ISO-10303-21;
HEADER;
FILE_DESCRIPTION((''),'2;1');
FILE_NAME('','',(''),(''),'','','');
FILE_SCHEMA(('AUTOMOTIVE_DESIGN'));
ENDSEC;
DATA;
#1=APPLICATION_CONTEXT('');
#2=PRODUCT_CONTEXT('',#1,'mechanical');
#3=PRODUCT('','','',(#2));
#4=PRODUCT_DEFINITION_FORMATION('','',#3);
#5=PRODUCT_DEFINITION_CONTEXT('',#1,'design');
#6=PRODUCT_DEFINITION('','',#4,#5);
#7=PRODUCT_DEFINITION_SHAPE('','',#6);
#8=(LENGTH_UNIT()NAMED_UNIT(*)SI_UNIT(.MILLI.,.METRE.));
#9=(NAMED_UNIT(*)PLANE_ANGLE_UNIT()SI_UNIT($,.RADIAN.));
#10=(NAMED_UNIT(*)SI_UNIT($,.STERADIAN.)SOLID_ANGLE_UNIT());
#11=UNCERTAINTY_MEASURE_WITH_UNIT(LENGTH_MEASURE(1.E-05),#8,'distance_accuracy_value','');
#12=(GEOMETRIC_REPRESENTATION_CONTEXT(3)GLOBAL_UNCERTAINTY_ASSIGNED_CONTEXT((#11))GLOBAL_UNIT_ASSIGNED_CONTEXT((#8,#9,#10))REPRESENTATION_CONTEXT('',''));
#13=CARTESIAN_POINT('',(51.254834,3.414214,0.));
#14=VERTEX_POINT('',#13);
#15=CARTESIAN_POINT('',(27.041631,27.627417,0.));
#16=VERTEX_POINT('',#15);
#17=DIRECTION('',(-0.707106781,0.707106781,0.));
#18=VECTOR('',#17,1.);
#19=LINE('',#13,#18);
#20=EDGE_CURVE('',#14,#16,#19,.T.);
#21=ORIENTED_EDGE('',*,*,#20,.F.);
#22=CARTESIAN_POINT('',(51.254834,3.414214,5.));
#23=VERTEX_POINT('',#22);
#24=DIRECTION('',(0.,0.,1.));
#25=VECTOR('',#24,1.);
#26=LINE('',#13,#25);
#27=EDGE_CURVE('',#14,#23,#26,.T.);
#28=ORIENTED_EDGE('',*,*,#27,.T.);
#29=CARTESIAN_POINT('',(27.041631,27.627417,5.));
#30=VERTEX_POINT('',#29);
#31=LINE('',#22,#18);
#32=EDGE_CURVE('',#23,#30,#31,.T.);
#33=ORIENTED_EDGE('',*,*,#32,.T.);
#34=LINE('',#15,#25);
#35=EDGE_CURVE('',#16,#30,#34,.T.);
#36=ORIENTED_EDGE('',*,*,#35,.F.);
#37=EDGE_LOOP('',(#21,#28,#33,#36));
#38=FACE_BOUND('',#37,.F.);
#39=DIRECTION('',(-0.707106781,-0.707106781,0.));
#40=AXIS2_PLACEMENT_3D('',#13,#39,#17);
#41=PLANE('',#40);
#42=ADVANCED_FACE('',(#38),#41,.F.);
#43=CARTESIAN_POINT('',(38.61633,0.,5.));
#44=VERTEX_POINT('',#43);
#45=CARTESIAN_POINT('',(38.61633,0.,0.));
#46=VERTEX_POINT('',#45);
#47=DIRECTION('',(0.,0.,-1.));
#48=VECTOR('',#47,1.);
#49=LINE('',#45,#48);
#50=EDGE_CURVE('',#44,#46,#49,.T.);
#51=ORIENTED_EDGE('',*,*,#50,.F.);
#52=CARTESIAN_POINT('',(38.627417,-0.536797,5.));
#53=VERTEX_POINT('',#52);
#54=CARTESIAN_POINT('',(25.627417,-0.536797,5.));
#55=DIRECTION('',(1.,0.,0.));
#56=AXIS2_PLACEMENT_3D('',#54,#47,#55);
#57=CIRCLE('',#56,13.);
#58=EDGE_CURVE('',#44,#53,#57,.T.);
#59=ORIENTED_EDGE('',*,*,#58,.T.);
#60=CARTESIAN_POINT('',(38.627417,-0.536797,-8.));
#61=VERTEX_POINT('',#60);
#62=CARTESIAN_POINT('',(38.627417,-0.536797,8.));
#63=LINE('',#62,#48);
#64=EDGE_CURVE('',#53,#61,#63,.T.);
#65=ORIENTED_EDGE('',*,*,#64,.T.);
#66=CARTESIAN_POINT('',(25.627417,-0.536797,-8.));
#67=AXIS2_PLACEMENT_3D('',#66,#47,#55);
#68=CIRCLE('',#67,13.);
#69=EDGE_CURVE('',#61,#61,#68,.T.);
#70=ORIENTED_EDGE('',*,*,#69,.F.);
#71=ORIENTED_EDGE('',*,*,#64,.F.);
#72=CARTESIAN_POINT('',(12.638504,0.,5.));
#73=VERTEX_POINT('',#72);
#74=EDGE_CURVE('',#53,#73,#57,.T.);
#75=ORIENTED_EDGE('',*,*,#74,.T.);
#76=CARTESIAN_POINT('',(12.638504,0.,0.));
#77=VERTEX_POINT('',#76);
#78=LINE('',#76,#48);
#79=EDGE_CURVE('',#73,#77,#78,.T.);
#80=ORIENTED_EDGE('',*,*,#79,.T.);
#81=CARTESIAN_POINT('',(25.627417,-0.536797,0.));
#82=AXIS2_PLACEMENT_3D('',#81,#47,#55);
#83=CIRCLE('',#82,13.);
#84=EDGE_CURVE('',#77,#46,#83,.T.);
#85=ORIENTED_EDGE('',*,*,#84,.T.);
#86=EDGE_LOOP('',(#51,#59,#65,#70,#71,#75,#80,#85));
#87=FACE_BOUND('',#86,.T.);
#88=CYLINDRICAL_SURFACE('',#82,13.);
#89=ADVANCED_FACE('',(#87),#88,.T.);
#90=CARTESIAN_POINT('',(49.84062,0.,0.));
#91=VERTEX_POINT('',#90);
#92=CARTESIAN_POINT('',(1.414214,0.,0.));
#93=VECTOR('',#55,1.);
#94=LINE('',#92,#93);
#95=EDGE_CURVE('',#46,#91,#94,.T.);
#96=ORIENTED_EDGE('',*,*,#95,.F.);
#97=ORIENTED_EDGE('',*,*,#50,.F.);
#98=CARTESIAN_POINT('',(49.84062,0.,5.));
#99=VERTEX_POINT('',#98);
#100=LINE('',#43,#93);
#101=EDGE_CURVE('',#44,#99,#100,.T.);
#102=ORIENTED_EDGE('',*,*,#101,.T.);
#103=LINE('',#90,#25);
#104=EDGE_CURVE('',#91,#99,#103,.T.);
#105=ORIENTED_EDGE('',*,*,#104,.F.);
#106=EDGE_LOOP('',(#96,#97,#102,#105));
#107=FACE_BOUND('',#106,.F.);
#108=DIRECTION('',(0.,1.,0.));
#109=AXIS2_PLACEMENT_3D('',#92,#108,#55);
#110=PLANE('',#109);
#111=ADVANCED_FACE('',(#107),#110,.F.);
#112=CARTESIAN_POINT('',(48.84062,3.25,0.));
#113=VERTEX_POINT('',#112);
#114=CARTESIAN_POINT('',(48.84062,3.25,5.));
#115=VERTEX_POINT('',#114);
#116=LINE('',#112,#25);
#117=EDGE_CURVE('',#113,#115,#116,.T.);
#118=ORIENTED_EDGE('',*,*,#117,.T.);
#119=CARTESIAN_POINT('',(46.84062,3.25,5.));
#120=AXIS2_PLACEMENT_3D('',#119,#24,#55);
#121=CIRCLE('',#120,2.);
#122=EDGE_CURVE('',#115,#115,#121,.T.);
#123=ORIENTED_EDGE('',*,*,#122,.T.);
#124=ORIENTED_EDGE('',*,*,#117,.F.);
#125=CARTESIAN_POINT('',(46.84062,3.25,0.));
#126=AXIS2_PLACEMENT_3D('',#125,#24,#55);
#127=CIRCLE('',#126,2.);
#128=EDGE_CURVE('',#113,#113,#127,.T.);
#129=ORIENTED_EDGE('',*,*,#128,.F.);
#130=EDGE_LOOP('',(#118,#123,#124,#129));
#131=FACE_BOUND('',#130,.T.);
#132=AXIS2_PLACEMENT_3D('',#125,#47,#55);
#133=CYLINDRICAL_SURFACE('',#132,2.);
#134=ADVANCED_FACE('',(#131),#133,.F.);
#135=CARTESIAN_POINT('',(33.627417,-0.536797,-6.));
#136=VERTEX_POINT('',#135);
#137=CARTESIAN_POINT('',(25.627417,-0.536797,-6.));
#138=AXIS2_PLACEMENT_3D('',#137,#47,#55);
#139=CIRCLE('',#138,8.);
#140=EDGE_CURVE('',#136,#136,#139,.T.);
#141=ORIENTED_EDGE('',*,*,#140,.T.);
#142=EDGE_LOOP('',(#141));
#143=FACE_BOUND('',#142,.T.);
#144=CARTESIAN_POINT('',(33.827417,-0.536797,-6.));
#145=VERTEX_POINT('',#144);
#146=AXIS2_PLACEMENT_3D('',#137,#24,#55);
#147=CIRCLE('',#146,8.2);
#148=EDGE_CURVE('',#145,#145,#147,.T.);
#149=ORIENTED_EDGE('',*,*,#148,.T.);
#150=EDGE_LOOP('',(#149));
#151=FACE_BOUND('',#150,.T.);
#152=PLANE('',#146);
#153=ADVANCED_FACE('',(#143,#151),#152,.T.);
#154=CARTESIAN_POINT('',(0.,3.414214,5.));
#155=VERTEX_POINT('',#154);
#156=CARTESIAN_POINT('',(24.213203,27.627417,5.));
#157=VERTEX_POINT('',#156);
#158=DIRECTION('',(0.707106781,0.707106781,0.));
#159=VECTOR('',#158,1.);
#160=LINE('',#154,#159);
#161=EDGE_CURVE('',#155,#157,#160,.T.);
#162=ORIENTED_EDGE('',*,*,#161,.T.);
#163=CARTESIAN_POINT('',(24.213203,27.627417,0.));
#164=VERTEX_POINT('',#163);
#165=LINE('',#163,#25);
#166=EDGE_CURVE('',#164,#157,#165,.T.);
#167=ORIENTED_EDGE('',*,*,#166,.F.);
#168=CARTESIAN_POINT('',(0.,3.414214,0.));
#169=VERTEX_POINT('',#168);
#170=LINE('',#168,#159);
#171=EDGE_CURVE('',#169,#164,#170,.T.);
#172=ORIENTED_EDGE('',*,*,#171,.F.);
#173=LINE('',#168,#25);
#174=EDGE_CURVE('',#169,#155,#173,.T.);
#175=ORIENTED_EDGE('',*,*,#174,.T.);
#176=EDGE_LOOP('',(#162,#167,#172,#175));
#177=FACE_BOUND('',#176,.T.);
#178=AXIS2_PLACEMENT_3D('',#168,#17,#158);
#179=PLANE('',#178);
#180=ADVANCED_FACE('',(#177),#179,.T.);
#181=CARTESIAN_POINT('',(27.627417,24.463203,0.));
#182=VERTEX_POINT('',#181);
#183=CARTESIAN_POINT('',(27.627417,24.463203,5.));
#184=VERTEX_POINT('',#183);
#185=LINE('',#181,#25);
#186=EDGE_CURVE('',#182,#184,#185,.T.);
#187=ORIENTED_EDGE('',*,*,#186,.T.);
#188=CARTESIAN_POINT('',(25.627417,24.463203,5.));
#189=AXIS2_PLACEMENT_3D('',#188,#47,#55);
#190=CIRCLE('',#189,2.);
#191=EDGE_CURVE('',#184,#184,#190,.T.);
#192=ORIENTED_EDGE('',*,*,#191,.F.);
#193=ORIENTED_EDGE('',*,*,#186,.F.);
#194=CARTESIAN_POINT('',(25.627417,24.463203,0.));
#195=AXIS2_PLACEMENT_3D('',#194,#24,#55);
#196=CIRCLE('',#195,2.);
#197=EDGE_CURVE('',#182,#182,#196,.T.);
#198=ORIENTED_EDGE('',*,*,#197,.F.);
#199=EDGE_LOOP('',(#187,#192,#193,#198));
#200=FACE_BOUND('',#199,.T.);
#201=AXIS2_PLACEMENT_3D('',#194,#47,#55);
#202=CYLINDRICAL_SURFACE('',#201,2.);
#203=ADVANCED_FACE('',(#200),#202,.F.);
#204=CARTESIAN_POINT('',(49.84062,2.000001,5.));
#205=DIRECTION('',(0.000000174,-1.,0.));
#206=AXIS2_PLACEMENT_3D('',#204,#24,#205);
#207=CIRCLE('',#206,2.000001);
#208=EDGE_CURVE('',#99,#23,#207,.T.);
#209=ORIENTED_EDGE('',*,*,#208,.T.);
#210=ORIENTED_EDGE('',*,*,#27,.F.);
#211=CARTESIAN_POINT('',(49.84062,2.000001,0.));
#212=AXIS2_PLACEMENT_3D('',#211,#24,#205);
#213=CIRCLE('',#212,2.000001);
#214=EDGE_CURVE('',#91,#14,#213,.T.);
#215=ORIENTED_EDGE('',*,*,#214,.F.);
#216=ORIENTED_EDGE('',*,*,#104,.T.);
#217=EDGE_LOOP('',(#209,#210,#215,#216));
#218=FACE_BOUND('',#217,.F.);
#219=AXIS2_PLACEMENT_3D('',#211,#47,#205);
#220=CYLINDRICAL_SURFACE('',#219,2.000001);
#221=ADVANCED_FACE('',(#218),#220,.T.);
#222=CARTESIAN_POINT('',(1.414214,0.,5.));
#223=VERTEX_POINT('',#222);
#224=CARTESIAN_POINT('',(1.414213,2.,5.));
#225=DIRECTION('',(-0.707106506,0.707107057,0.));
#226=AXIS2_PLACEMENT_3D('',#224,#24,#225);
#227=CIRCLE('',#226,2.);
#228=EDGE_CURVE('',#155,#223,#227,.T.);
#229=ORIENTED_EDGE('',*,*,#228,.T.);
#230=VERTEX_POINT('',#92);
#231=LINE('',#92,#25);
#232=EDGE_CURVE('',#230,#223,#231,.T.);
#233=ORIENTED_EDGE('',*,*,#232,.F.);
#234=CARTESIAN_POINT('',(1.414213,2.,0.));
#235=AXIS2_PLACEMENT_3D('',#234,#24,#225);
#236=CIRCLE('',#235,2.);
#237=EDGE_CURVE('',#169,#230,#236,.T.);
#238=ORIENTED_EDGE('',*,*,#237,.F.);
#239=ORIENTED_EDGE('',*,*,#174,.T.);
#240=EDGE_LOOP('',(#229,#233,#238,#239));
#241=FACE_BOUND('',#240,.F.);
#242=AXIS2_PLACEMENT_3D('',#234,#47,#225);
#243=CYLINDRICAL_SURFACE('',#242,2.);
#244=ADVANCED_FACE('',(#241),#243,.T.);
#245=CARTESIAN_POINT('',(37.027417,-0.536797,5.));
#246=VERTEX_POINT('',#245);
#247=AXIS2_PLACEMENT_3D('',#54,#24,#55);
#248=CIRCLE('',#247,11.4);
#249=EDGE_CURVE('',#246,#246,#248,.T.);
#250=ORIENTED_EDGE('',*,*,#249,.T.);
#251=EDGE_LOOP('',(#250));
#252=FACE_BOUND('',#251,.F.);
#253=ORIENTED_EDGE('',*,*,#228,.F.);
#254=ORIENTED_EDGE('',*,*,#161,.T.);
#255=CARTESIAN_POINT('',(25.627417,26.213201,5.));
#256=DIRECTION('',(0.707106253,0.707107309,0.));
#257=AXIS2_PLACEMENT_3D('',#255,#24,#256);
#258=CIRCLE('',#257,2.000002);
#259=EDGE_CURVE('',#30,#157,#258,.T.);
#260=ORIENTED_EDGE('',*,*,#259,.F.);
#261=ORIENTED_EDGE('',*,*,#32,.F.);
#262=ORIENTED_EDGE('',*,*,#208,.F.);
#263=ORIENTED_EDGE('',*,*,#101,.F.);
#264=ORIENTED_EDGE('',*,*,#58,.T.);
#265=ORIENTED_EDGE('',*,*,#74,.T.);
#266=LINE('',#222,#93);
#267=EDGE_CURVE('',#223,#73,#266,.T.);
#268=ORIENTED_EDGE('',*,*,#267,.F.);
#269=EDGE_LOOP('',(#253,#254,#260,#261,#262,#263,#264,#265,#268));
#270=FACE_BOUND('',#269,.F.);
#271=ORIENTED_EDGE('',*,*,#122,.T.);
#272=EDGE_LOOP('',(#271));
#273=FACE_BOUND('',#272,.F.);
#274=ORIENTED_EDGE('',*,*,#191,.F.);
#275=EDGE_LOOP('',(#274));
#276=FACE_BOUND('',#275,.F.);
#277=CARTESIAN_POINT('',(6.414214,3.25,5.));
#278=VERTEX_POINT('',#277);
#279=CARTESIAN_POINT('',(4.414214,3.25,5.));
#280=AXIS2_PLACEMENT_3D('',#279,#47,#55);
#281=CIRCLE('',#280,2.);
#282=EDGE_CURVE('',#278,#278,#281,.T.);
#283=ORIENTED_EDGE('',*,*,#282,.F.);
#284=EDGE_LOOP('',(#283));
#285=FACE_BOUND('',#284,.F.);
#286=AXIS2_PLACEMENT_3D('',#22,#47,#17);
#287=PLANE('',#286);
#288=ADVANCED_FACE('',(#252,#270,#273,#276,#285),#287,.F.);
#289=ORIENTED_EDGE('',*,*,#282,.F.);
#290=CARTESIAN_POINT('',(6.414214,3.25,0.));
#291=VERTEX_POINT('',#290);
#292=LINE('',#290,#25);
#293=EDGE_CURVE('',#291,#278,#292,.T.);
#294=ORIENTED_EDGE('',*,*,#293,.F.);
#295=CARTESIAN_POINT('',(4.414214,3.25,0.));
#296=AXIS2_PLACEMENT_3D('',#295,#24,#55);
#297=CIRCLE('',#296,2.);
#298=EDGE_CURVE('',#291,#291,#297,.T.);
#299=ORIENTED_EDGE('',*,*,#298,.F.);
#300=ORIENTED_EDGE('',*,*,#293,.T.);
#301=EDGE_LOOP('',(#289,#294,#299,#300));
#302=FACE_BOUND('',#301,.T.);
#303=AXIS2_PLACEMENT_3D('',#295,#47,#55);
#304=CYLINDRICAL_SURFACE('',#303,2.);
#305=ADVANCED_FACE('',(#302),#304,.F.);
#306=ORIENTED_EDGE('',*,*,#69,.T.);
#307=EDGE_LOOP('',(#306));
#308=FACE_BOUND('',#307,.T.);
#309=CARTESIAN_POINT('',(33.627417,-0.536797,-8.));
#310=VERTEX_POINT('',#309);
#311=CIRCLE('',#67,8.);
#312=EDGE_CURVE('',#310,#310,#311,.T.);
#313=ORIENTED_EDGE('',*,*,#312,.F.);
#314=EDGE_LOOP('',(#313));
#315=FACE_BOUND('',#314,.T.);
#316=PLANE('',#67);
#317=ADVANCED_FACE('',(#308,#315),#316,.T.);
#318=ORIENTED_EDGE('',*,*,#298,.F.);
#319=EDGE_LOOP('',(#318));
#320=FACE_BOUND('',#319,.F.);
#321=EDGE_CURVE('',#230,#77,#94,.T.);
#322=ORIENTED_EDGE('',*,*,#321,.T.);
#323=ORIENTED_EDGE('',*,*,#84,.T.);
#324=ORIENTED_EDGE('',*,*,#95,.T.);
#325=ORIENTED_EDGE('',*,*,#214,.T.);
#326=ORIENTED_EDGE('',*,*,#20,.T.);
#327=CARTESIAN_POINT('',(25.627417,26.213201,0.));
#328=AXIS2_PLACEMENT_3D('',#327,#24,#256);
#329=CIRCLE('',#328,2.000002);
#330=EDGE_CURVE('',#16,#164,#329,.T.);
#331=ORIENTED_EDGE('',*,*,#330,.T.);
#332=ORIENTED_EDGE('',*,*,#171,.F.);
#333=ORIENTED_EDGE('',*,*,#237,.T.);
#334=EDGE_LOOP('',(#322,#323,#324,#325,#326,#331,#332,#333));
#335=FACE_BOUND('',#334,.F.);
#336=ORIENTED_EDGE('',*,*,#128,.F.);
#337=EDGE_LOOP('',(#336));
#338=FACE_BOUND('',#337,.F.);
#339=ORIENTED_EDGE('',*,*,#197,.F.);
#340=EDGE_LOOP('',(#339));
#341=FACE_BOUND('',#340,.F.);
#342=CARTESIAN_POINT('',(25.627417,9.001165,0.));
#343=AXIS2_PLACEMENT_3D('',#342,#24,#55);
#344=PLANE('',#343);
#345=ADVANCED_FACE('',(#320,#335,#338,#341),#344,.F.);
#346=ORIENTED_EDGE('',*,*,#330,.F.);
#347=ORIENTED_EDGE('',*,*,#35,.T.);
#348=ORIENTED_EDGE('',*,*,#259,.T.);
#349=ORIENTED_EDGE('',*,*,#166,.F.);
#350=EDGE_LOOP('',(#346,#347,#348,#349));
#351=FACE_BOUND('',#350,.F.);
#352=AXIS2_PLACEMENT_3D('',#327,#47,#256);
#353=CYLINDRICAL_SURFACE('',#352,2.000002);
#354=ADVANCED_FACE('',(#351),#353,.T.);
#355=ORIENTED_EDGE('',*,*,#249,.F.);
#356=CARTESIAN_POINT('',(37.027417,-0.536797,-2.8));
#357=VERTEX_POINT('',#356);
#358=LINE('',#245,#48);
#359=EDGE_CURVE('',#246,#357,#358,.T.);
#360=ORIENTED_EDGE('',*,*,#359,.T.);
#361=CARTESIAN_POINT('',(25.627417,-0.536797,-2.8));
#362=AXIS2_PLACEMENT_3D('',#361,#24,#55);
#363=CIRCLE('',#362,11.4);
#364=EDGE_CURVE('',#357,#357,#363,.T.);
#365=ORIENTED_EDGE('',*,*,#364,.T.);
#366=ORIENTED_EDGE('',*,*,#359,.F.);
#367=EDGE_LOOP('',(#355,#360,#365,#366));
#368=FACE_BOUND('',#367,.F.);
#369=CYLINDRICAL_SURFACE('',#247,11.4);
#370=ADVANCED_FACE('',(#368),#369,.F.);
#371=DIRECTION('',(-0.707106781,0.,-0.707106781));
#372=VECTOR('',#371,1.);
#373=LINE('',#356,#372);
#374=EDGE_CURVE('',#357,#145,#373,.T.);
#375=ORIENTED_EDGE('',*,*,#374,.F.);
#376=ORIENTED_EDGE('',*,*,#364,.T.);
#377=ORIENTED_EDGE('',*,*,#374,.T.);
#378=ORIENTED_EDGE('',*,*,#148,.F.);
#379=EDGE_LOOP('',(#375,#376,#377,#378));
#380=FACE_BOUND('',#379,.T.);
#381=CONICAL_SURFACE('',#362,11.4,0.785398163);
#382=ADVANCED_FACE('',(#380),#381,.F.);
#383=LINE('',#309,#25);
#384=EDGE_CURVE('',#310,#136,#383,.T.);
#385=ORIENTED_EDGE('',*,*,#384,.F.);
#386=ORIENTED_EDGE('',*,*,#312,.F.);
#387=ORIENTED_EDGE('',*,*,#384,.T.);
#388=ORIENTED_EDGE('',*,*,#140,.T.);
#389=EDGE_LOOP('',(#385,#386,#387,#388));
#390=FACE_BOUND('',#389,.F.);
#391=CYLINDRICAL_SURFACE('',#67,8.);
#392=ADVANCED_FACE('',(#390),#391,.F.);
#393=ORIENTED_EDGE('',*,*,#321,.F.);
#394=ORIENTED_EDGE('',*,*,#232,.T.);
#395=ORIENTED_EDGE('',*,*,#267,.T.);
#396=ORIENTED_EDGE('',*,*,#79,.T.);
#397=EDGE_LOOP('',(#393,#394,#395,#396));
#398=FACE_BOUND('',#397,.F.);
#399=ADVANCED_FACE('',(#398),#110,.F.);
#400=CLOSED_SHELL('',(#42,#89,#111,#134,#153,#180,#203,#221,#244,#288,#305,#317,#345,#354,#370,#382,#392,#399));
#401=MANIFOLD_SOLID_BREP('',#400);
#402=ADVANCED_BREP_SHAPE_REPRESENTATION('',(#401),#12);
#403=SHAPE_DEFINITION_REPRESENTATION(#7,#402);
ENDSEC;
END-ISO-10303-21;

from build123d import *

# Parameters (mm, degrees)
SKETCH_R        = 2
PAD_DEPTH       = 5
SKETCH001_R     = 13
PAD001_DEPTH    = 8
SKETCH002_R     = 8
POCKET_DEPTH    = 16.001
SKETCH003_W     = 34.242641
SKETCH003_H     = 4
POCKET001_DEPTH = 48.644028
SKETCH004_R     = 11.4
POCKET002_DEPTH = 11
CHAMFER_SIZE    = 3.2


with BuildPart() as part:
    # Sketch → Pad (new body)
    with BuildSketch(Plane.XY):
        with BuildLine():
            Line((1.414214, 0), (49.84062, 0))
            ThreePointArc((49.84062, 0), (51.688379, 1.234633), (51.254834, 3.414214))
            Line((51.254834, 3.414214), (27.041631, 27.627417))
            ThreePointArc((27.041631, 27.627417), (25.627417, 28.213203), (24.213203, 27.627417))
            Line((0, 3.414214), (24.213203, 27.627417))
            ThreePointArc((0, 3.414214), (-0.433546, 1.234633), (1.414214, 0))
        make_face()
        with Locations((4.414214, 3.25)):
            Circle(SKETCH_R, mode=Mode.SUBTRACT)
        with Locations((46.84062, 3.25)):
            Circle(SKETCH_R, mode=Mode.SUBTRACT)
        with Locations((25.627417, 24.463203)):
            Circle(SKETCH_R, mode=Mode.SUBTRACT)
    extrude(amount=PAD_DEPTH)

    # Sketch001 (on Face10 of Pad) → Pad001 (join, symmetric)
    with BuildSketch(Plane(origin=(0, 0, 0), x_dir=(1, 0, 0), z_dir=(0, 0, -1))):
        with Locations((25.627417, 0.536797)):
            Circle(SKETCH001_R)
    extrude(amount=PAD001_DEPTH, both=True)

    # Sketch002 (on Face15 of Pad001) → Pocket (cut, through all)
    with BuildSketch(Plane(origin=(0, 0, -8), x_dir=(1, 0, 0), z_dir=(0, 0, -1))):
        with Locations((25.627417, 0.536797)):
            Circle(SKETCH002_R)
    extrude(amount=-POCKET_DEPTH, mode=Mode.SUBTRACT)

    # Sketch003 (on Face8 of Pocket) → Pocket001 (cut, through all)
    with BuildSketch(Plane(origin=(27.334524, 27.334524, 0), x_dir=(-0.707107, 0.707107, 0), z_dir=(0.707107, 0.707107, 0))):
        with Locations((-16.707106, 7)):
            Rectangle(SKETCH003_W, SKETCH003_H)
    extrude(amount=-POCKET001_DEPTH, mode=Mode.SUBTRACT)

    # Sketch004 (on Face6 of Pocket001) → Pocket002 (cut)
    with BuildSketch(Plane.XY.offset(5)):
        with Locations((25.627417, -0.536797)):
            Circle(SKETCH004_R)
    extrude(amount=-POCKET002_DEPTH, mode=Mode.SUBTRACT)

    # Chamfer
    chamfer_edges = [part.edges().sort_by_distance(p)[0] for p in [
        (14.227417, -0.536797, -6),
    ]]
    chamfer(chamfer_edges, length=CHAMFER_SIZE)


solid = part.part
